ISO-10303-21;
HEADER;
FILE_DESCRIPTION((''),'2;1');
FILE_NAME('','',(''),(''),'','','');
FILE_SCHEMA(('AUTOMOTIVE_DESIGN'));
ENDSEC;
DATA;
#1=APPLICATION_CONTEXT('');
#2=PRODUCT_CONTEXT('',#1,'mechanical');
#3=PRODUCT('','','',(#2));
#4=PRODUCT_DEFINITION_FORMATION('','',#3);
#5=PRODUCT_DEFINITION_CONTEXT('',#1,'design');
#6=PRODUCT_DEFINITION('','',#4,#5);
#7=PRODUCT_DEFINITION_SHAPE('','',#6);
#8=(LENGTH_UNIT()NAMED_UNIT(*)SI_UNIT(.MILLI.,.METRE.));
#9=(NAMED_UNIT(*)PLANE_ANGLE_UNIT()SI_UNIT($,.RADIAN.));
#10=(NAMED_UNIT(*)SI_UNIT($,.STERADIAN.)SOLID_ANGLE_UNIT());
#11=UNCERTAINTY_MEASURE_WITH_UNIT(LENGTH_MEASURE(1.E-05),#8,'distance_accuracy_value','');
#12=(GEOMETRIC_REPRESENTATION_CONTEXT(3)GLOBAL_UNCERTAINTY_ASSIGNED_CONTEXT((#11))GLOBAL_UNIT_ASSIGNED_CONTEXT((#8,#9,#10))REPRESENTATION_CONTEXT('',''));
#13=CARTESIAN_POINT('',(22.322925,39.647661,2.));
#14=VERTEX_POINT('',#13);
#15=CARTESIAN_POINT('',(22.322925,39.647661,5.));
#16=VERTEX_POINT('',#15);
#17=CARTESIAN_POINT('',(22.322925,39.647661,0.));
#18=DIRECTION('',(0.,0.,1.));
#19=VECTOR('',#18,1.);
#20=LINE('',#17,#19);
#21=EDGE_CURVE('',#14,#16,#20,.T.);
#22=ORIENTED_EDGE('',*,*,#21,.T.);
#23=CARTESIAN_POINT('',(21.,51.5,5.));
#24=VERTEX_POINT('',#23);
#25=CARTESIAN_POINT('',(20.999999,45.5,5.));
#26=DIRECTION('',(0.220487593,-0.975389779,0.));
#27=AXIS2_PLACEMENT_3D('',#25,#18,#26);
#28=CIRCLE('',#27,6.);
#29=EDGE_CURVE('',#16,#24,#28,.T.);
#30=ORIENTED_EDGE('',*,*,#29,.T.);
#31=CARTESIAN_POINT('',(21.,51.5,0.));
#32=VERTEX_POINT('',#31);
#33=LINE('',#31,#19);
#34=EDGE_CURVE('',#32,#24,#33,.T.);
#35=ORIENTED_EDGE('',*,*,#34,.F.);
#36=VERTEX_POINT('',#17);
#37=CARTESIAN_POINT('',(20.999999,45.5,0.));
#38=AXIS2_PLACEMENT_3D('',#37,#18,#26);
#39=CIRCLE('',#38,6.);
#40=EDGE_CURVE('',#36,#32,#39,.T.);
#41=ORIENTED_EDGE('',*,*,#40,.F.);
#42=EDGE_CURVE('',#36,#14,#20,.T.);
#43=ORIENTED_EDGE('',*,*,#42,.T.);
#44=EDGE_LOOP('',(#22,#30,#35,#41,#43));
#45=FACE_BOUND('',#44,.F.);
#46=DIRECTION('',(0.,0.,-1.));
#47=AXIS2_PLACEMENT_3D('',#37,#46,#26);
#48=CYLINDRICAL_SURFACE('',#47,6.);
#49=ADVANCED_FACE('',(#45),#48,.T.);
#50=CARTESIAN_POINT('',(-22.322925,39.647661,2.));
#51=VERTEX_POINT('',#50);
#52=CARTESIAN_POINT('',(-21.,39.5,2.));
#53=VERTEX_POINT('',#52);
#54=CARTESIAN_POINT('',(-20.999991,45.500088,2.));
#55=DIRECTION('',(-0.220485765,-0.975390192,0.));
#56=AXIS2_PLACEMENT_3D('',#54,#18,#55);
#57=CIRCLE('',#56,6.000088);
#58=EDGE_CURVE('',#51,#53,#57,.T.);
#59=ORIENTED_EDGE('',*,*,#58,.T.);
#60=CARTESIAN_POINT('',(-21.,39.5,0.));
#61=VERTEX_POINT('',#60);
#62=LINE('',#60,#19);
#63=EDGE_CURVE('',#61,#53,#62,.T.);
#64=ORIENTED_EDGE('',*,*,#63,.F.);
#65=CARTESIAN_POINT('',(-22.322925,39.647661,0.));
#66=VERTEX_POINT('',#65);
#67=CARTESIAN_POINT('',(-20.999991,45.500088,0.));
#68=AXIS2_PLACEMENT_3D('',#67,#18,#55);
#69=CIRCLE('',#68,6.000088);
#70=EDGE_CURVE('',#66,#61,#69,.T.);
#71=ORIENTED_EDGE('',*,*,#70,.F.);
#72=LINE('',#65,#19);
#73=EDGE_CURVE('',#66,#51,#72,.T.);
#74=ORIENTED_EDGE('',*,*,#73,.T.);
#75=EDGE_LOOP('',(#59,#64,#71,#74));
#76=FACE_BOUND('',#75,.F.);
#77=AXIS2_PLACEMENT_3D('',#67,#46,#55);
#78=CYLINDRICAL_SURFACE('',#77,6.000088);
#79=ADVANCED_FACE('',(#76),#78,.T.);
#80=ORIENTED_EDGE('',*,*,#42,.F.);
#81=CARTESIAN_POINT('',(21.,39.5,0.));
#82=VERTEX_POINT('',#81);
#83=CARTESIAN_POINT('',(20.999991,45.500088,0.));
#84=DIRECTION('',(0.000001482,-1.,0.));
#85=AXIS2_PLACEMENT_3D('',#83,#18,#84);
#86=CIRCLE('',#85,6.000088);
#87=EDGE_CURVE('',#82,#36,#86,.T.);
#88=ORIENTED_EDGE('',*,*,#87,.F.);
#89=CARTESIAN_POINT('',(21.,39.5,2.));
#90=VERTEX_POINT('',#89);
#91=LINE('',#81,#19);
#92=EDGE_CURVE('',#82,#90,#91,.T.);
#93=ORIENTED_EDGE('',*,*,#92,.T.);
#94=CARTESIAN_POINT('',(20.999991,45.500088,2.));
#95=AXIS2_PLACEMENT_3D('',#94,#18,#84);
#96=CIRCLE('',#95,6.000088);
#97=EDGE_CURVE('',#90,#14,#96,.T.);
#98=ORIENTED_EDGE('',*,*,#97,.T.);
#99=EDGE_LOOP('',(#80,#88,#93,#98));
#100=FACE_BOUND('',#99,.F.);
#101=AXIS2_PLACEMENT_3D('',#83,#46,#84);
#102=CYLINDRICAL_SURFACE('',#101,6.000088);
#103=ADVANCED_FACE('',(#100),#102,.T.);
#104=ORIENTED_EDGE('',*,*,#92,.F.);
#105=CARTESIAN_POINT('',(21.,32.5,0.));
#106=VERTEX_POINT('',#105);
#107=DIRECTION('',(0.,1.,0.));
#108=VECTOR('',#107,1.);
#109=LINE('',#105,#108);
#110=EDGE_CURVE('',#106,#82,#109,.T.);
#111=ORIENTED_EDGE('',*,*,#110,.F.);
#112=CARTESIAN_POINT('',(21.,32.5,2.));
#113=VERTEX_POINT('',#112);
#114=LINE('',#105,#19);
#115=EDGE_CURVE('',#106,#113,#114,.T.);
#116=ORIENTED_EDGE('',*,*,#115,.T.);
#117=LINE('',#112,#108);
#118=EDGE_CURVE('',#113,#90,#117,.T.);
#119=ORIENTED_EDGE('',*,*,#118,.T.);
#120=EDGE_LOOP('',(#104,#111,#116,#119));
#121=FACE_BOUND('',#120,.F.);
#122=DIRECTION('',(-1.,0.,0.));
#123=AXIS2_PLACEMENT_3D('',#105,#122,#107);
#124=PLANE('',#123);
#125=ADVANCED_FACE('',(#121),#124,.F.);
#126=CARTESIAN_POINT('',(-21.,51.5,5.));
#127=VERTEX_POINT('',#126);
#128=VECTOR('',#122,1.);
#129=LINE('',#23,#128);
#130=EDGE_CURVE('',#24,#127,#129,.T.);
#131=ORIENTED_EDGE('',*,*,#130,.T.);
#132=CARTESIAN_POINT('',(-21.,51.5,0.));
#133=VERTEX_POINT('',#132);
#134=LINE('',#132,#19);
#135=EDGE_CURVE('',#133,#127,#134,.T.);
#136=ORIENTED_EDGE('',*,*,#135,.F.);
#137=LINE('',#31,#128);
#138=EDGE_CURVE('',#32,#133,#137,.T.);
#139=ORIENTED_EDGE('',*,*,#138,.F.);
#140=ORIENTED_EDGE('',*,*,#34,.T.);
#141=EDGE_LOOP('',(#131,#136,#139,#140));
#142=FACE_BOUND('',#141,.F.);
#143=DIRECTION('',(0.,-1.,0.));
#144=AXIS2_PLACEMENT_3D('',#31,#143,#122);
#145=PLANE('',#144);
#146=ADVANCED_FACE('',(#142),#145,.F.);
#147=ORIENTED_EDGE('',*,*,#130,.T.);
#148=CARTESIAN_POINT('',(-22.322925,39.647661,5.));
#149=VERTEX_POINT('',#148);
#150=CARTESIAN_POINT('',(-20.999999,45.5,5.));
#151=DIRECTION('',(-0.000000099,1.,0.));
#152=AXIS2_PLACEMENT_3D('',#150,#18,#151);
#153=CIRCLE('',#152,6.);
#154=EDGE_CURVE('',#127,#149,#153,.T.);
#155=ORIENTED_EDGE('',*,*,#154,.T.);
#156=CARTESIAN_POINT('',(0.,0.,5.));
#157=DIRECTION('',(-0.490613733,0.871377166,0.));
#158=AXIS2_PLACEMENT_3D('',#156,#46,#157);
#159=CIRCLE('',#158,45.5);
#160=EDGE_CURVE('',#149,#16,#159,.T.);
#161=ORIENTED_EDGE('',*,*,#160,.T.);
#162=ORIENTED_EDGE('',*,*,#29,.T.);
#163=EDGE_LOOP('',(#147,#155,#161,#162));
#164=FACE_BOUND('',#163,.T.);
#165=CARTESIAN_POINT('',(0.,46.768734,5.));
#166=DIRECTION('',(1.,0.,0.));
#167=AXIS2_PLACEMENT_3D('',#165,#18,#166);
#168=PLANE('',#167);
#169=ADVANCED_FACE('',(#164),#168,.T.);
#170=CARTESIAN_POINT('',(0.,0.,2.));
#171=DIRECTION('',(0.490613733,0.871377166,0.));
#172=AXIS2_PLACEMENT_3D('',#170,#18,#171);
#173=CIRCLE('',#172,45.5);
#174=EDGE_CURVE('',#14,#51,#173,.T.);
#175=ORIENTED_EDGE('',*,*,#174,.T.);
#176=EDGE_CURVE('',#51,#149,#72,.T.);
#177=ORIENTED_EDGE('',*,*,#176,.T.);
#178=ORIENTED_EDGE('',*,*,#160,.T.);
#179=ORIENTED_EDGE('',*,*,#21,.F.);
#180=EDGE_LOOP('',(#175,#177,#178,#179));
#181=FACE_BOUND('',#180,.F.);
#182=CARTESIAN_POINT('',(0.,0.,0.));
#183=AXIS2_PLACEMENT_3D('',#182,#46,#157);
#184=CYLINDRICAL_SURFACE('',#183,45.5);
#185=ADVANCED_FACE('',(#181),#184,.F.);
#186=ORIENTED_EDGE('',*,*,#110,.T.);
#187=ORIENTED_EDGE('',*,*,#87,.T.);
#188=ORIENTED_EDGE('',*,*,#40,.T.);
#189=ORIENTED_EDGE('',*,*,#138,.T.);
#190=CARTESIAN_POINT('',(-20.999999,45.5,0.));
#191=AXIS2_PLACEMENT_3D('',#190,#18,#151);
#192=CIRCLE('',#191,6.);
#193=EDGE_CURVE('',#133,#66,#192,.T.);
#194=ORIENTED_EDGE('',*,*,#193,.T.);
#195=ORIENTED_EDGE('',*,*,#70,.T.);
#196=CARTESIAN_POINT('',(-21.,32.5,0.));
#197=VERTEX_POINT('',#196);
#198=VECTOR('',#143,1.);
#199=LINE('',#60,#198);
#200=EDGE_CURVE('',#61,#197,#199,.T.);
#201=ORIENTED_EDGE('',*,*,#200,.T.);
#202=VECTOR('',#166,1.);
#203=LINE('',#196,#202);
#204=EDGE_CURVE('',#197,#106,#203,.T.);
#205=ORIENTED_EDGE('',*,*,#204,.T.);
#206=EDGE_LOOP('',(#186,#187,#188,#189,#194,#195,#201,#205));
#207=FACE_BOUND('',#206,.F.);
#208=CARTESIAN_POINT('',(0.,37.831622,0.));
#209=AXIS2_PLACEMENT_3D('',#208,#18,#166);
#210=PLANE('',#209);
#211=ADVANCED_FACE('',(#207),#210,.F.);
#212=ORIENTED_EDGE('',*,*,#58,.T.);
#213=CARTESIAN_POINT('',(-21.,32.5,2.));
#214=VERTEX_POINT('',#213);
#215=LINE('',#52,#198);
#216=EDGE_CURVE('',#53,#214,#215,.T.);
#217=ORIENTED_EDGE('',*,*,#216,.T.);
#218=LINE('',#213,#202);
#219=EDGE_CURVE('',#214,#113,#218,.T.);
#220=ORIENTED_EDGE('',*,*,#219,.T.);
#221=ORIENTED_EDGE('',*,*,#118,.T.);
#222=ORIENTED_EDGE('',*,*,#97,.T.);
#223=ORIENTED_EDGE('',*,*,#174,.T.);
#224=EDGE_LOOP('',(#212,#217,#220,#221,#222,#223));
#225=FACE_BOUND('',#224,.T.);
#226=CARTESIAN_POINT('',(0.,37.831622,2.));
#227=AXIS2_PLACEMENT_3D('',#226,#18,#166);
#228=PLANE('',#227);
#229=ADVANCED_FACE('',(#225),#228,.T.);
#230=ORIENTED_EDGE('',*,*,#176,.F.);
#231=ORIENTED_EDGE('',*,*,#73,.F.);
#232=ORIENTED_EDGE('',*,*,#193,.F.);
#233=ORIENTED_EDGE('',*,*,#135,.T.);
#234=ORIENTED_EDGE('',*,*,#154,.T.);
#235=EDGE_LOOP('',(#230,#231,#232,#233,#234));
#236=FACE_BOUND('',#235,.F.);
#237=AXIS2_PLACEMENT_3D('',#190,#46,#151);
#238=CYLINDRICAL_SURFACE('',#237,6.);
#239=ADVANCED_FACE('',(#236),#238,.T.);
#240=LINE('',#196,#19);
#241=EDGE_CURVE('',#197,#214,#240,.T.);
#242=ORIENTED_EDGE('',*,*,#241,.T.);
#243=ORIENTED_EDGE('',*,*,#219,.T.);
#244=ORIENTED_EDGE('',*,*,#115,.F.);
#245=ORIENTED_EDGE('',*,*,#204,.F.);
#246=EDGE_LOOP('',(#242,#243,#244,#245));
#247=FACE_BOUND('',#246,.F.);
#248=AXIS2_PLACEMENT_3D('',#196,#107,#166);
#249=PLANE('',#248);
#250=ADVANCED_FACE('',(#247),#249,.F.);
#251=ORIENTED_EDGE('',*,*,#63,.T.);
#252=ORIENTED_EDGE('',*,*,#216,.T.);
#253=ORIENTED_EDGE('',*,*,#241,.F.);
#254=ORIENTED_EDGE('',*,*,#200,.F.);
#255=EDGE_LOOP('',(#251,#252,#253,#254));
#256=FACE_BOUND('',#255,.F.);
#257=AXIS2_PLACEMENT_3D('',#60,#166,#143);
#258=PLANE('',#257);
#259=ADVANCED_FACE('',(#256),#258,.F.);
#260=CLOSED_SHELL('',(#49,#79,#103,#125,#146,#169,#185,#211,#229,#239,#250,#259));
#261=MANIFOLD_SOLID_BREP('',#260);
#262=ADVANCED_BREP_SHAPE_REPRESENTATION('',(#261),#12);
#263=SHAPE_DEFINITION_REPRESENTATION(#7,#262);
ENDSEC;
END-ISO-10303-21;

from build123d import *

# Parameters (mm, degrees)
F1_DEPTH = 5
F2_DEPTH = 2


with BuildPart() as f1:
    # F0 (on Top) → F1 (new body)
    with BuildSketch(Plane.XY):
        with BuildLine():
            ThreePointArc((-22.322925, 39.647661), (0, 45.5), (22.322925, 39.647661))
            ThreePointArc((22.322925, 39.647661), (26.96297, 46.16557), (21, 51.5))
            Line((21, 51.5), (-21, 51.5))
            ThreePointArc((-21, 51.5), (-26.96297, 46.16557), (-22.322925, 39.647661))
        make_face()
    extrude(amount=F1_DEPTH)

    # F0 (on Top) → F2 (join)
    with BuildSketch(Plane.XY):
        with BuildLine():
            ThreePointArc((21, 39.5), (21.66557, 39.53703), (22.322925, 39.647661))
            ThreePointArc((22.322925, 39.647661), (0, 45.5), (-22.322925, 39.647661))
            ThreePointArc((-22.322925, 39.647661), (-21.66557, 39.53703), (-21, 39.5))
            Line((-21, 39.5), (-21, 32.5))
            Line((-21, 32.5), (21, 32.5))
            Line((21, 32.5), (21, 39.5))
        make_face()
    extrude(amount=F2_DEPTH)


solid = f1.part
